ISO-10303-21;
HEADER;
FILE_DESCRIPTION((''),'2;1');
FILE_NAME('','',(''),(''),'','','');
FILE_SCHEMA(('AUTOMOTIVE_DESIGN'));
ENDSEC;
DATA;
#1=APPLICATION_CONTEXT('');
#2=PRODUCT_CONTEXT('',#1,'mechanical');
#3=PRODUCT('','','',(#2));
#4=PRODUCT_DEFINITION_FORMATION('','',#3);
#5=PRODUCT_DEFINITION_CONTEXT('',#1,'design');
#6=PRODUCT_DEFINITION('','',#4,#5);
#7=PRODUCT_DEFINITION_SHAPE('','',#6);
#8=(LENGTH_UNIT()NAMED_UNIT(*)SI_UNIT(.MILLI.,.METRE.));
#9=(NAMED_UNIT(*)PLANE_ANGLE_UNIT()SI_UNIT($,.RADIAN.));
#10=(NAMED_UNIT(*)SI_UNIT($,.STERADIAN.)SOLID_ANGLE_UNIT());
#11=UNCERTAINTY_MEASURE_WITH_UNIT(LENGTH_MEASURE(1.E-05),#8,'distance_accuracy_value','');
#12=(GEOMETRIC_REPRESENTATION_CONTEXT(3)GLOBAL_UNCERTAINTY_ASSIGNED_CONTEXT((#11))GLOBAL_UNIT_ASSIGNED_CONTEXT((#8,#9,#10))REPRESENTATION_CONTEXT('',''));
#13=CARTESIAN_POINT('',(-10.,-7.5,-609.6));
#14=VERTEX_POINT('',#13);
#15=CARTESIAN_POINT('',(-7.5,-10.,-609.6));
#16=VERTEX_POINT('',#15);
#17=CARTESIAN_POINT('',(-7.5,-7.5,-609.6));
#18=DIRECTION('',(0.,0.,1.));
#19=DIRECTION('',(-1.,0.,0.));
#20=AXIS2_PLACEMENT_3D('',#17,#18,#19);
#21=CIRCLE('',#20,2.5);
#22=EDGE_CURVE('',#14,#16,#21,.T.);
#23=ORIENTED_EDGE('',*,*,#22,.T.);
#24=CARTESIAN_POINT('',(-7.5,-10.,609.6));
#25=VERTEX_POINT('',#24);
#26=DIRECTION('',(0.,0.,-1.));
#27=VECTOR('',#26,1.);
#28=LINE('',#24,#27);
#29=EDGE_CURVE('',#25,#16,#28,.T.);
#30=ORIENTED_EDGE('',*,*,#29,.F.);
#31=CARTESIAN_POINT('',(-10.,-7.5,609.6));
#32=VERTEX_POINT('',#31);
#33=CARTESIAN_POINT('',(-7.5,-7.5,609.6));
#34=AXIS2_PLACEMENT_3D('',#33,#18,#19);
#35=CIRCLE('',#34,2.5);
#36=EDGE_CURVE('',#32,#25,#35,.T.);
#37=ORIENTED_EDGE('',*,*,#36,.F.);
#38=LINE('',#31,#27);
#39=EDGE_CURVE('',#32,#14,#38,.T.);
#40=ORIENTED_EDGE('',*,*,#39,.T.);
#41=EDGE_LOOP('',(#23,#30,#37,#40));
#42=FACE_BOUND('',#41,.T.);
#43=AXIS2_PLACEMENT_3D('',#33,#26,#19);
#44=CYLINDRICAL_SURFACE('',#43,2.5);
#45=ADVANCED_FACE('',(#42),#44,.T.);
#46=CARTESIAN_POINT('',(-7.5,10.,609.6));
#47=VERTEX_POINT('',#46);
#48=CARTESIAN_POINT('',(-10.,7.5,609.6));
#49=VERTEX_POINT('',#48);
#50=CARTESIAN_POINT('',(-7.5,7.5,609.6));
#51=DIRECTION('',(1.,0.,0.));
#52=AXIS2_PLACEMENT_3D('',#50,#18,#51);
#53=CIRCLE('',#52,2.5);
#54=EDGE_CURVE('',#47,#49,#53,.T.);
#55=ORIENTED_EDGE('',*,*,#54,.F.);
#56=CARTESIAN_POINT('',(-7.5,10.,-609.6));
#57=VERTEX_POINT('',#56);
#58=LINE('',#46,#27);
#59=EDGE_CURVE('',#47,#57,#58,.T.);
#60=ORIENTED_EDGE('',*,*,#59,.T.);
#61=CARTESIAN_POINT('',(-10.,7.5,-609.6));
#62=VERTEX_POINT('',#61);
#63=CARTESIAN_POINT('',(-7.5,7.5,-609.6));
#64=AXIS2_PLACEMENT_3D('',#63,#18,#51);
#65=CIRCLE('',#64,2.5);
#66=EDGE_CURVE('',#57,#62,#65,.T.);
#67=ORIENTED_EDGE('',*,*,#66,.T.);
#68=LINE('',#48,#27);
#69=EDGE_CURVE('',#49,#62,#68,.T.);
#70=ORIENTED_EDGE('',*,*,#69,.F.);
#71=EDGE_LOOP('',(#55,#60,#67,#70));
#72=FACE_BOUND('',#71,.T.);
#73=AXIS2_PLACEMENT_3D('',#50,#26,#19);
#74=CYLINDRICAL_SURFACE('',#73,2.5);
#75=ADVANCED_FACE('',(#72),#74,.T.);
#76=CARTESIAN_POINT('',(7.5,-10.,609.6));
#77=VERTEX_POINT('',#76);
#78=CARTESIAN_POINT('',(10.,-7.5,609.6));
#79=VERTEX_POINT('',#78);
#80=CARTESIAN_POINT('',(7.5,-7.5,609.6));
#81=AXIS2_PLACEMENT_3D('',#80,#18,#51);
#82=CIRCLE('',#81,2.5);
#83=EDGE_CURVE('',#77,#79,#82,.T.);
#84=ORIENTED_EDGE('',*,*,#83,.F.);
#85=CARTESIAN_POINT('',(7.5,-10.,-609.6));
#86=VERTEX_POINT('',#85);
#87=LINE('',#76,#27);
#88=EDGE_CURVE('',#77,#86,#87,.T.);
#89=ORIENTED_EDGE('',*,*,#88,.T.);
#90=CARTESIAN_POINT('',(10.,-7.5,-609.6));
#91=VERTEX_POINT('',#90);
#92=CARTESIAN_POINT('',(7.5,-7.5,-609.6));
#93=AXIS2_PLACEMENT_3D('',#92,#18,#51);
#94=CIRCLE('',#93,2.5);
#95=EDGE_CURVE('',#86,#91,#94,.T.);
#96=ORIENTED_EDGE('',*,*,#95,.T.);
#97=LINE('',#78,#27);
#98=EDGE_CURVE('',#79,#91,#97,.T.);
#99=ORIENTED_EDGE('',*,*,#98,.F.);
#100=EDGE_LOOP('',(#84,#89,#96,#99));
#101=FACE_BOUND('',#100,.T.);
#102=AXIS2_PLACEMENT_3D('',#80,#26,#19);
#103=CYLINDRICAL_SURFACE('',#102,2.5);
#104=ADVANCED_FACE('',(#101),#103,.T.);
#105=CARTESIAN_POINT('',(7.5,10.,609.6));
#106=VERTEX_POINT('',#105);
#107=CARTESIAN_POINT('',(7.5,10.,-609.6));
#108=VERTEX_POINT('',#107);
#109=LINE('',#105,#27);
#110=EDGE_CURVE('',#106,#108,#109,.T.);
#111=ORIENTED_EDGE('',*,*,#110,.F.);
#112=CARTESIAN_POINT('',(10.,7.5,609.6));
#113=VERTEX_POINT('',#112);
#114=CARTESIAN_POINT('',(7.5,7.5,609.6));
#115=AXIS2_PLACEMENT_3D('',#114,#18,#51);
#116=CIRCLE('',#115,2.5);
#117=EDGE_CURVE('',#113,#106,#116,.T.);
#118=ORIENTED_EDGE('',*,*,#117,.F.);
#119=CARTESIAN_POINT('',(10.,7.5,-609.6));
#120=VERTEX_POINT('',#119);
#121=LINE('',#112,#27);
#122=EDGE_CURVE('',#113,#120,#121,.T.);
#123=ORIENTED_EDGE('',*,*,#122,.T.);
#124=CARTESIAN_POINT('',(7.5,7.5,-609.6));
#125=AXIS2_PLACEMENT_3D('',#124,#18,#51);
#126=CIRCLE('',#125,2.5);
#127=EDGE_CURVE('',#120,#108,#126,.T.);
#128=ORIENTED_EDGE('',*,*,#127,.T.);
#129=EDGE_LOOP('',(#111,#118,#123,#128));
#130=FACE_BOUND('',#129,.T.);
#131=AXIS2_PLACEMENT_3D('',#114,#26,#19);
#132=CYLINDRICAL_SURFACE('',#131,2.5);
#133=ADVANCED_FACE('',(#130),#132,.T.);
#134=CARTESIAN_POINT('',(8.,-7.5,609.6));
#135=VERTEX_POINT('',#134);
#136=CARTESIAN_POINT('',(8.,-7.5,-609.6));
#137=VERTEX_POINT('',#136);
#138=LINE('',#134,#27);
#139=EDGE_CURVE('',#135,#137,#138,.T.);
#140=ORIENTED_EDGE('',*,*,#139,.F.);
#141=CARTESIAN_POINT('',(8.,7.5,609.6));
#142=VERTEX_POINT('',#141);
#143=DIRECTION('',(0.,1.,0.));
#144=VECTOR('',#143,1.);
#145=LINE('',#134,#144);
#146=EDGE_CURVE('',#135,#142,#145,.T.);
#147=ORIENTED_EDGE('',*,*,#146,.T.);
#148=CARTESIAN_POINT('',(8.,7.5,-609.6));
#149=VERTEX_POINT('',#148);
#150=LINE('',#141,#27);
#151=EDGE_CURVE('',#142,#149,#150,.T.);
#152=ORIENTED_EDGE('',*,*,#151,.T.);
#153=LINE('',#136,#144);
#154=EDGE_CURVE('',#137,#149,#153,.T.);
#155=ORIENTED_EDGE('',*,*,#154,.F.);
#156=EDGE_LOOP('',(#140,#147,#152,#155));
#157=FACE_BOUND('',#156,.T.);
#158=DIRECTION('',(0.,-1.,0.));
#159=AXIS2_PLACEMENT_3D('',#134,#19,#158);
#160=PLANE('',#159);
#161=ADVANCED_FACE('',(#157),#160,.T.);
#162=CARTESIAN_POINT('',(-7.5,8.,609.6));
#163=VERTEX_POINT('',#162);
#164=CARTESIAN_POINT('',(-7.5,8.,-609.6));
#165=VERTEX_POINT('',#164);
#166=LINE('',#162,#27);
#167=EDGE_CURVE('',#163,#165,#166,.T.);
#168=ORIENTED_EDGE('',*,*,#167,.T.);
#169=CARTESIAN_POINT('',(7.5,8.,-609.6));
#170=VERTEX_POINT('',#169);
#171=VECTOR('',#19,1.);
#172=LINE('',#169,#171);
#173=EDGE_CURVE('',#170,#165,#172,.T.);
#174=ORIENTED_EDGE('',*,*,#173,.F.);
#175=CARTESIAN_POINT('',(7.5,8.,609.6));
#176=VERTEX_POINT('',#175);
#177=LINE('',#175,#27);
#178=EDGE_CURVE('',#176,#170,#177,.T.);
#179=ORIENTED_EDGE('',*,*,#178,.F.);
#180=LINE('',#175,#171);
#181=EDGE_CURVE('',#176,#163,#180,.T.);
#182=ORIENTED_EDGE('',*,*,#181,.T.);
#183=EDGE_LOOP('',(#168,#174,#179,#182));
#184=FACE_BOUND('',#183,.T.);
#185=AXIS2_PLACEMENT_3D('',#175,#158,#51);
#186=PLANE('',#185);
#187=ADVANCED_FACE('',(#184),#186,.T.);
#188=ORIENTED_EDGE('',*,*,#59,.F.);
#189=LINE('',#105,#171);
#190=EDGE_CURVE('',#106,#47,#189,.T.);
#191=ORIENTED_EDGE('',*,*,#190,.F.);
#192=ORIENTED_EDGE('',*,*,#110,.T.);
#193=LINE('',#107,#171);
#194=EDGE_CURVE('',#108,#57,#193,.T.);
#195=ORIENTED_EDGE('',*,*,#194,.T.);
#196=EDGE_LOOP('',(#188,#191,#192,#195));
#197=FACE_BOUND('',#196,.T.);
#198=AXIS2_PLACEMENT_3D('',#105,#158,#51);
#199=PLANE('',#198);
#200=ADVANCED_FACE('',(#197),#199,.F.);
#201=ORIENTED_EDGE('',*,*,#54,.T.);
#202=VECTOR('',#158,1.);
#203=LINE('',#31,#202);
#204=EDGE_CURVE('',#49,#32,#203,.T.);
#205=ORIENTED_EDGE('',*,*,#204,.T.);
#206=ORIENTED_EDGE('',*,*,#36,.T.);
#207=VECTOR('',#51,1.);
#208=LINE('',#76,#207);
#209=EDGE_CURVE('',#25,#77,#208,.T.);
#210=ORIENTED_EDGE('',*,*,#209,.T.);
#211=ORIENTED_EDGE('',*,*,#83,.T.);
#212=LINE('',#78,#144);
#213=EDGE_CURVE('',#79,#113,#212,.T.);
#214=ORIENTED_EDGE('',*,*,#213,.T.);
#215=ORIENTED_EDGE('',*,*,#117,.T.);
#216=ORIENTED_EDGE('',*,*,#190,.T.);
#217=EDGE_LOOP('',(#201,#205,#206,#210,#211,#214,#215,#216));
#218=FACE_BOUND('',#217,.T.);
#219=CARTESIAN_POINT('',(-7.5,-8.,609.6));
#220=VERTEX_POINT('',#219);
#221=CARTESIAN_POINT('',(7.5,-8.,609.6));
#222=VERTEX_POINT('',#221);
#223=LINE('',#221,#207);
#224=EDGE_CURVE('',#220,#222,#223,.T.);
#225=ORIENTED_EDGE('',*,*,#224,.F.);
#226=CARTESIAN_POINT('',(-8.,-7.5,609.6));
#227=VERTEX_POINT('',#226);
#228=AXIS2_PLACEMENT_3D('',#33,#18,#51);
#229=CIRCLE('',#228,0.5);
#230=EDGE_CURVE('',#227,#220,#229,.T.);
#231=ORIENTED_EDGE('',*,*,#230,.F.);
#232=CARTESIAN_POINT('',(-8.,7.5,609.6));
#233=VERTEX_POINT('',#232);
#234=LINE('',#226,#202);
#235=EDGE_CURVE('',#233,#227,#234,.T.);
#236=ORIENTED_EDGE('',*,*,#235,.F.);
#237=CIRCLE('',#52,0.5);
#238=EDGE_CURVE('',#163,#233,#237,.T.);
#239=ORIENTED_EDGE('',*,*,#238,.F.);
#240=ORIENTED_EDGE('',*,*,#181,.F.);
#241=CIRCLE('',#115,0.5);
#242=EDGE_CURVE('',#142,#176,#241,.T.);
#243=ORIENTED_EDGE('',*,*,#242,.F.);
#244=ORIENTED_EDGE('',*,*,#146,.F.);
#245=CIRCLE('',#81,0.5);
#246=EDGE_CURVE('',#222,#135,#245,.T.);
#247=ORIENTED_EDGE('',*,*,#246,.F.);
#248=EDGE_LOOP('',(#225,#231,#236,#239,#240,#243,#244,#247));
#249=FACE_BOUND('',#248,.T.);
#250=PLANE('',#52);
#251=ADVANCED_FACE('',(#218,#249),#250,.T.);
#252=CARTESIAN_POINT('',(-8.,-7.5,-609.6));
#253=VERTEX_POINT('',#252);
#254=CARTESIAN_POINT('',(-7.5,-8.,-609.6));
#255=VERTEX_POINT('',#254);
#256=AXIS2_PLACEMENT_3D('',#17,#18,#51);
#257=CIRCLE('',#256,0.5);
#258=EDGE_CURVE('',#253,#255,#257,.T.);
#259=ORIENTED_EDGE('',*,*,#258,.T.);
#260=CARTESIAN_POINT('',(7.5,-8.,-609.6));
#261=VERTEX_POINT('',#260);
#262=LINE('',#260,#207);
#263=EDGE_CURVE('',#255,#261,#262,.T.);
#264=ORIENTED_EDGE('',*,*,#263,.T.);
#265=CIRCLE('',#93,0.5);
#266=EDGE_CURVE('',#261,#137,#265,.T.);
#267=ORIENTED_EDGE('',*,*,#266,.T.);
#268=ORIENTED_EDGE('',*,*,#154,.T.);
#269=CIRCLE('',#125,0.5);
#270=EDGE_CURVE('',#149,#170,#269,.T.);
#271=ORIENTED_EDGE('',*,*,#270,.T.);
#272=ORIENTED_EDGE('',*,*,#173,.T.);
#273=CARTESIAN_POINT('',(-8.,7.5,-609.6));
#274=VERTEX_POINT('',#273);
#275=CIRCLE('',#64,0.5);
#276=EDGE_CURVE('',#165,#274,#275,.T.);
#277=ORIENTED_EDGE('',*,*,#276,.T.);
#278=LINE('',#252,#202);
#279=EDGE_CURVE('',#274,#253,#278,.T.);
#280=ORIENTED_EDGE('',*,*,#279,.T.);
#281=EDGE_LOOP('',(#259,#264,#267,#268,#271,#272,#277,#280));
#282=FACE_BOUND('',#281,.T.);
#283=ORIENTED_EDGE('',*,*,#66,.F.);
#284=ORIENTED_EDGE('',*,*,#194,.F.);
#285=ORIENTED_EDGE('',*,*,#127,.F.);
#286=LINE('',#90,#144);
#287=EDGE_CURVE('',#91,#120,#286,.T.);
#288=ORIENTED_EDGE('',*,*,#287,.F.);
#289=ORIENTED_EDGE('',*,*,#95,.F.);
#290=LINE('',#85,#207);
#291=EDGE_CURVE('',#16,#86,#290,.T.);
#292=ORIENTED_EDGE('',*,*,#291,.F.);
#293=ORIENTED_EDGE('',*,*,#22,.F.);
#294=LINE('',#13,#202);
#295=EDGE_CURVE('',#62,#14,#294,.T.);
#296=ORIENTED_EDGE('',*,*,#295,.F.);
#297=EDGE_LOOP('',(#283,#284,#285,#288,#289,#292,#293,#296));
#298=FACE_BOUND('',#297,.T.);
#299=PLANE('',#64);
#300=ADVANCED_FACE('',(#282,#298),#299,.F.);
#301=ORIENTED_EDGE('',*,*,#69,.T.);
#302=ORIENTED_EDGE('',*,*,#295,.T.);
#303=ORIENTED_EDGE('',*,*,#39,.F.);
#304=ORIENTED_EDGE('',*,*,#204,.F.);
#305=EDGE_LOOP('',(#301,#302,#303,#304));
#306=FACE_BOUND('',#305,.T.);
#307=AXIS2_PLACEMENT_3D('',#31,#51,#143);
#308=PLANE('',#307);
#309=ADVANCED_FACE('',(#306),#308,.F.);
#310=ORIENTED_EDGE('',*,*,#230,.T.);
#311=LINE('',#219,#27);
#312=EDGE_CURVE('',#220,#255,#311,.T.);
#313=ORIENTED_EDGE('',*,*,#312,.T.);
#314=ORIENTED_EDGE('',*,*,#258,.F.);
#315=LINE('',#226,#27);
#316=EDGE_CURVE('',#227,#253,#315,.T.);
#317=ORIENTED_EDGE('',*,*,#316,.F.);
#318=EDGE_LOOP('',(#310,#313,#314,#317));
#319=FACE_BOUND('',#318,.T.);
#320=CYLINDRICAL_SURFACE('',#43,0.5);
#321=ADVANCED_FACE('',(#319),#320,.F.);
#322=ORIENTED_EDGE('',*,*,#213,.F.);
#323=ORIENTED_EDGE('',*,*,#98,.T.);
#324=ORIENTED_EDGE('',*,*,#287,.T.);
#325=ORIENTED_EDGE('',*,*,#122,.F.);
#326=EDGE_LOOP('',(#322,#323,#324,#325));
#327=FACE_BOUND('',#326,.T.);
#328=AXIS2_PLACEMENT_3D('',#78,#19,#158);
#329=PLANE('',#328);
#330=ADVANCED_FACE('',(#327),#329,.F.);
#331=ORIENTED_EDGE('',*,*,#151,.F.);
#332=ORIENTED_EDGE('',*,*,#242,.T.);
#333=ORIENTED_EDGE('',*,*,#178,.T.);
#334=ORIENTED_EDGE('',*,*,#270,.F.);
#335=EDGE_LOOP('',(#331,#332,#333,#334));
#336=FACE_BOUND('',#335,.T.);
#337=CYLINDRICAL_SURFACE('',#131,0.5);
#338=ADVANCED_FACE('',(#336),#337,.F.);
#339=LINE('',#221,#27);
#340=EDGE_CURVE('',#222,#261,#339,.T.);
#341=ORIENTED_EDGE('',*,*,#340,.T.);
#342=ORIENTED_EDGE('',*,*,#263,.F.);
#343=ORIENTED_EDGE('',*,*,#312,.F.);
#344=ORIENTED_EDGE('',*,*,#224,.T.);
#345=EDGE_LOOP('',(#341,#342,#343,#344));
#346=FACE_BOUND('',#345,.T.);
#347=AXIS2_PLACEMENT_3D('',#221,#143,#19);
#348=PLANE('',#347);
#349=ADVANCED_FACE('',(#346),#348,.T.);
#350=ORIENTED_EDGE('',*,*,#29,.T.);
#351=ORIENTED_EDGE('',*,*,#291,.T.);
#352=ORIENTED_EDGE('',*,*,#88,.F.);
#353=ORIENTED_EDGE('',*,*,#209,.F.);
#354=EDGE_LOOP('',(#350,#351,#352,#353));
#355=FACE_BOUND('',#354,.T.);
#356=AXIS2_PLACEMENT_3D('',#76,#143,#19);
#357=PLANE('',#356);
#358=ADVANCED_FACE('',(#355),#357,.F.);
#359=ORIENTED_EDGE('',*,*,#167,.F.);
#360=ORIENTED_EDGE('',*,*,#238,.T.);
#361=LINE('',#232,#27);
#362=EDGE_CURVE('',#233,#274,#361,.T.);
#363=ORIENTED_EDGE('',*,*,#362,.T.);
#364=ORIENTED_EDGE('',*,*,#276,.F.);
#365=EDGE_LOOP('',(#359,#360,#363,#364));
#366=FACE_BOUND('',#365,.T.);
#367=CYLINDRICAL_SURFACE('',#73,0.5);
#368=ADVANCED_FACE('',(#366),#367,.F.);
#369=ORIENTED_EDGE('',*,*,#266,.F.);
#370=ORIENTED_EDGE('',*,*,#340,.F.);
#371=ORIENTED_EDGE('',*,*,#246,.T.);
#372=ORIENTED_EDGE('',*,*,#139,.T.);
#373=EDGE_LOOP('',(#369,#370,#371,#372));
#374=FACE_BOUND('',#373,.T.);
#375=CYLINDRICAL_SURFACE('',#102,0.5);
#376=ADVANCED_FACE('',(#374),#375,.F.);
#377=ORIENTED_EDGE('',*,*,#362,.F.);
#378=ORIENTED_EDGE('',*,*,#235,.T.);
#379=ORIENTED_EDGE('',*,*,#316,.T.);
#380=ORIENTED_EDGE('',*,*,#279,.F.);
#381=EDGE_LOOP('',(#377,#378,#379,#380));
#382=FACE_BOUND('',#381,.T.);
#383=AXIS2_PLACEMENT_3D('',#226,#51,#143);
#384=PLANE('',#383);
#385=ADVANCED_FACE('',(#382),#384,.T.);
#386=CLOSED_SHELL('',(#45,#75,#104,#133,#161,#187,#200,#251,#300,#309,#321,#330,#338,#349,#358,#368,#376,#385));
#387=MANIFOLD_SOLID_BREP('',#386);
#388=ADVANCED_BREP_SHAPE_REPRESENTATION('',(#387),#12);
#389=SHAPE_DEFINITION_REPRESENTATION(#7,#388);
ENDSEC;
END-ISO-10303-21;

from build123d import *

# Parameters (mm, degrees)
EXTRUDE_THIN1_DEPTH = 609.6


with BuildPart() as part:
    # Sketch1 → Extrude-Thin1 (new, symmetric)
    with BuildSketch(Plane.XY):
        with BuildLine():
            Line((-10, -7.5), (-10, 7.5))
            ThreePointArc((-10, 7.5), (-9.267766953, 9.267766953), (-7.5, 10))
            Line((-7.5, 10), (7.5, 10))
            ThreePointArc((7.5, 10), (9.267766953, 9.267766953), (10, 7.5))
            Line((10, 7.5), (10, -7.5))
            ThreePointArc((10, -7.5), (9.267766953, -9.267766953), (7.5, -10))
            Line((7.5, -10), (-7.5, -10))
            ThreePointArc((-7.5, -10), (-9.267766953, -9.267766953), (-10, -7.5))
        make_face()
        with BuildLine():
            Line((-8, -7.5), (-8, 7.5))
            ThreePointArc((-8, 7.5), (-7.853553391, 7.853553391), (-7.5, 8))
            Line((-7.5, 8), (7.5, 8))
            ThreePointArc((7.5, 8), (7.853553391, 7.853553391), (8, 7.5))
            Line((8, 7.5), (8, -7.5))
            ThreePointArc((8, -7.5), (7.853553391, -7.853553391), (7.5, -8))
            Line((7.5, -8), (-7.5, -8))
            ThreePointArc((-7.5, -8), (-7.853553391, -7.853553391), (-8, -7.5))
        make_face(mode=Mode.SUBTRACT)
    extrude(amount=EXTRUDE_THIN1_DEPTH, both=True)


solid = part.part
